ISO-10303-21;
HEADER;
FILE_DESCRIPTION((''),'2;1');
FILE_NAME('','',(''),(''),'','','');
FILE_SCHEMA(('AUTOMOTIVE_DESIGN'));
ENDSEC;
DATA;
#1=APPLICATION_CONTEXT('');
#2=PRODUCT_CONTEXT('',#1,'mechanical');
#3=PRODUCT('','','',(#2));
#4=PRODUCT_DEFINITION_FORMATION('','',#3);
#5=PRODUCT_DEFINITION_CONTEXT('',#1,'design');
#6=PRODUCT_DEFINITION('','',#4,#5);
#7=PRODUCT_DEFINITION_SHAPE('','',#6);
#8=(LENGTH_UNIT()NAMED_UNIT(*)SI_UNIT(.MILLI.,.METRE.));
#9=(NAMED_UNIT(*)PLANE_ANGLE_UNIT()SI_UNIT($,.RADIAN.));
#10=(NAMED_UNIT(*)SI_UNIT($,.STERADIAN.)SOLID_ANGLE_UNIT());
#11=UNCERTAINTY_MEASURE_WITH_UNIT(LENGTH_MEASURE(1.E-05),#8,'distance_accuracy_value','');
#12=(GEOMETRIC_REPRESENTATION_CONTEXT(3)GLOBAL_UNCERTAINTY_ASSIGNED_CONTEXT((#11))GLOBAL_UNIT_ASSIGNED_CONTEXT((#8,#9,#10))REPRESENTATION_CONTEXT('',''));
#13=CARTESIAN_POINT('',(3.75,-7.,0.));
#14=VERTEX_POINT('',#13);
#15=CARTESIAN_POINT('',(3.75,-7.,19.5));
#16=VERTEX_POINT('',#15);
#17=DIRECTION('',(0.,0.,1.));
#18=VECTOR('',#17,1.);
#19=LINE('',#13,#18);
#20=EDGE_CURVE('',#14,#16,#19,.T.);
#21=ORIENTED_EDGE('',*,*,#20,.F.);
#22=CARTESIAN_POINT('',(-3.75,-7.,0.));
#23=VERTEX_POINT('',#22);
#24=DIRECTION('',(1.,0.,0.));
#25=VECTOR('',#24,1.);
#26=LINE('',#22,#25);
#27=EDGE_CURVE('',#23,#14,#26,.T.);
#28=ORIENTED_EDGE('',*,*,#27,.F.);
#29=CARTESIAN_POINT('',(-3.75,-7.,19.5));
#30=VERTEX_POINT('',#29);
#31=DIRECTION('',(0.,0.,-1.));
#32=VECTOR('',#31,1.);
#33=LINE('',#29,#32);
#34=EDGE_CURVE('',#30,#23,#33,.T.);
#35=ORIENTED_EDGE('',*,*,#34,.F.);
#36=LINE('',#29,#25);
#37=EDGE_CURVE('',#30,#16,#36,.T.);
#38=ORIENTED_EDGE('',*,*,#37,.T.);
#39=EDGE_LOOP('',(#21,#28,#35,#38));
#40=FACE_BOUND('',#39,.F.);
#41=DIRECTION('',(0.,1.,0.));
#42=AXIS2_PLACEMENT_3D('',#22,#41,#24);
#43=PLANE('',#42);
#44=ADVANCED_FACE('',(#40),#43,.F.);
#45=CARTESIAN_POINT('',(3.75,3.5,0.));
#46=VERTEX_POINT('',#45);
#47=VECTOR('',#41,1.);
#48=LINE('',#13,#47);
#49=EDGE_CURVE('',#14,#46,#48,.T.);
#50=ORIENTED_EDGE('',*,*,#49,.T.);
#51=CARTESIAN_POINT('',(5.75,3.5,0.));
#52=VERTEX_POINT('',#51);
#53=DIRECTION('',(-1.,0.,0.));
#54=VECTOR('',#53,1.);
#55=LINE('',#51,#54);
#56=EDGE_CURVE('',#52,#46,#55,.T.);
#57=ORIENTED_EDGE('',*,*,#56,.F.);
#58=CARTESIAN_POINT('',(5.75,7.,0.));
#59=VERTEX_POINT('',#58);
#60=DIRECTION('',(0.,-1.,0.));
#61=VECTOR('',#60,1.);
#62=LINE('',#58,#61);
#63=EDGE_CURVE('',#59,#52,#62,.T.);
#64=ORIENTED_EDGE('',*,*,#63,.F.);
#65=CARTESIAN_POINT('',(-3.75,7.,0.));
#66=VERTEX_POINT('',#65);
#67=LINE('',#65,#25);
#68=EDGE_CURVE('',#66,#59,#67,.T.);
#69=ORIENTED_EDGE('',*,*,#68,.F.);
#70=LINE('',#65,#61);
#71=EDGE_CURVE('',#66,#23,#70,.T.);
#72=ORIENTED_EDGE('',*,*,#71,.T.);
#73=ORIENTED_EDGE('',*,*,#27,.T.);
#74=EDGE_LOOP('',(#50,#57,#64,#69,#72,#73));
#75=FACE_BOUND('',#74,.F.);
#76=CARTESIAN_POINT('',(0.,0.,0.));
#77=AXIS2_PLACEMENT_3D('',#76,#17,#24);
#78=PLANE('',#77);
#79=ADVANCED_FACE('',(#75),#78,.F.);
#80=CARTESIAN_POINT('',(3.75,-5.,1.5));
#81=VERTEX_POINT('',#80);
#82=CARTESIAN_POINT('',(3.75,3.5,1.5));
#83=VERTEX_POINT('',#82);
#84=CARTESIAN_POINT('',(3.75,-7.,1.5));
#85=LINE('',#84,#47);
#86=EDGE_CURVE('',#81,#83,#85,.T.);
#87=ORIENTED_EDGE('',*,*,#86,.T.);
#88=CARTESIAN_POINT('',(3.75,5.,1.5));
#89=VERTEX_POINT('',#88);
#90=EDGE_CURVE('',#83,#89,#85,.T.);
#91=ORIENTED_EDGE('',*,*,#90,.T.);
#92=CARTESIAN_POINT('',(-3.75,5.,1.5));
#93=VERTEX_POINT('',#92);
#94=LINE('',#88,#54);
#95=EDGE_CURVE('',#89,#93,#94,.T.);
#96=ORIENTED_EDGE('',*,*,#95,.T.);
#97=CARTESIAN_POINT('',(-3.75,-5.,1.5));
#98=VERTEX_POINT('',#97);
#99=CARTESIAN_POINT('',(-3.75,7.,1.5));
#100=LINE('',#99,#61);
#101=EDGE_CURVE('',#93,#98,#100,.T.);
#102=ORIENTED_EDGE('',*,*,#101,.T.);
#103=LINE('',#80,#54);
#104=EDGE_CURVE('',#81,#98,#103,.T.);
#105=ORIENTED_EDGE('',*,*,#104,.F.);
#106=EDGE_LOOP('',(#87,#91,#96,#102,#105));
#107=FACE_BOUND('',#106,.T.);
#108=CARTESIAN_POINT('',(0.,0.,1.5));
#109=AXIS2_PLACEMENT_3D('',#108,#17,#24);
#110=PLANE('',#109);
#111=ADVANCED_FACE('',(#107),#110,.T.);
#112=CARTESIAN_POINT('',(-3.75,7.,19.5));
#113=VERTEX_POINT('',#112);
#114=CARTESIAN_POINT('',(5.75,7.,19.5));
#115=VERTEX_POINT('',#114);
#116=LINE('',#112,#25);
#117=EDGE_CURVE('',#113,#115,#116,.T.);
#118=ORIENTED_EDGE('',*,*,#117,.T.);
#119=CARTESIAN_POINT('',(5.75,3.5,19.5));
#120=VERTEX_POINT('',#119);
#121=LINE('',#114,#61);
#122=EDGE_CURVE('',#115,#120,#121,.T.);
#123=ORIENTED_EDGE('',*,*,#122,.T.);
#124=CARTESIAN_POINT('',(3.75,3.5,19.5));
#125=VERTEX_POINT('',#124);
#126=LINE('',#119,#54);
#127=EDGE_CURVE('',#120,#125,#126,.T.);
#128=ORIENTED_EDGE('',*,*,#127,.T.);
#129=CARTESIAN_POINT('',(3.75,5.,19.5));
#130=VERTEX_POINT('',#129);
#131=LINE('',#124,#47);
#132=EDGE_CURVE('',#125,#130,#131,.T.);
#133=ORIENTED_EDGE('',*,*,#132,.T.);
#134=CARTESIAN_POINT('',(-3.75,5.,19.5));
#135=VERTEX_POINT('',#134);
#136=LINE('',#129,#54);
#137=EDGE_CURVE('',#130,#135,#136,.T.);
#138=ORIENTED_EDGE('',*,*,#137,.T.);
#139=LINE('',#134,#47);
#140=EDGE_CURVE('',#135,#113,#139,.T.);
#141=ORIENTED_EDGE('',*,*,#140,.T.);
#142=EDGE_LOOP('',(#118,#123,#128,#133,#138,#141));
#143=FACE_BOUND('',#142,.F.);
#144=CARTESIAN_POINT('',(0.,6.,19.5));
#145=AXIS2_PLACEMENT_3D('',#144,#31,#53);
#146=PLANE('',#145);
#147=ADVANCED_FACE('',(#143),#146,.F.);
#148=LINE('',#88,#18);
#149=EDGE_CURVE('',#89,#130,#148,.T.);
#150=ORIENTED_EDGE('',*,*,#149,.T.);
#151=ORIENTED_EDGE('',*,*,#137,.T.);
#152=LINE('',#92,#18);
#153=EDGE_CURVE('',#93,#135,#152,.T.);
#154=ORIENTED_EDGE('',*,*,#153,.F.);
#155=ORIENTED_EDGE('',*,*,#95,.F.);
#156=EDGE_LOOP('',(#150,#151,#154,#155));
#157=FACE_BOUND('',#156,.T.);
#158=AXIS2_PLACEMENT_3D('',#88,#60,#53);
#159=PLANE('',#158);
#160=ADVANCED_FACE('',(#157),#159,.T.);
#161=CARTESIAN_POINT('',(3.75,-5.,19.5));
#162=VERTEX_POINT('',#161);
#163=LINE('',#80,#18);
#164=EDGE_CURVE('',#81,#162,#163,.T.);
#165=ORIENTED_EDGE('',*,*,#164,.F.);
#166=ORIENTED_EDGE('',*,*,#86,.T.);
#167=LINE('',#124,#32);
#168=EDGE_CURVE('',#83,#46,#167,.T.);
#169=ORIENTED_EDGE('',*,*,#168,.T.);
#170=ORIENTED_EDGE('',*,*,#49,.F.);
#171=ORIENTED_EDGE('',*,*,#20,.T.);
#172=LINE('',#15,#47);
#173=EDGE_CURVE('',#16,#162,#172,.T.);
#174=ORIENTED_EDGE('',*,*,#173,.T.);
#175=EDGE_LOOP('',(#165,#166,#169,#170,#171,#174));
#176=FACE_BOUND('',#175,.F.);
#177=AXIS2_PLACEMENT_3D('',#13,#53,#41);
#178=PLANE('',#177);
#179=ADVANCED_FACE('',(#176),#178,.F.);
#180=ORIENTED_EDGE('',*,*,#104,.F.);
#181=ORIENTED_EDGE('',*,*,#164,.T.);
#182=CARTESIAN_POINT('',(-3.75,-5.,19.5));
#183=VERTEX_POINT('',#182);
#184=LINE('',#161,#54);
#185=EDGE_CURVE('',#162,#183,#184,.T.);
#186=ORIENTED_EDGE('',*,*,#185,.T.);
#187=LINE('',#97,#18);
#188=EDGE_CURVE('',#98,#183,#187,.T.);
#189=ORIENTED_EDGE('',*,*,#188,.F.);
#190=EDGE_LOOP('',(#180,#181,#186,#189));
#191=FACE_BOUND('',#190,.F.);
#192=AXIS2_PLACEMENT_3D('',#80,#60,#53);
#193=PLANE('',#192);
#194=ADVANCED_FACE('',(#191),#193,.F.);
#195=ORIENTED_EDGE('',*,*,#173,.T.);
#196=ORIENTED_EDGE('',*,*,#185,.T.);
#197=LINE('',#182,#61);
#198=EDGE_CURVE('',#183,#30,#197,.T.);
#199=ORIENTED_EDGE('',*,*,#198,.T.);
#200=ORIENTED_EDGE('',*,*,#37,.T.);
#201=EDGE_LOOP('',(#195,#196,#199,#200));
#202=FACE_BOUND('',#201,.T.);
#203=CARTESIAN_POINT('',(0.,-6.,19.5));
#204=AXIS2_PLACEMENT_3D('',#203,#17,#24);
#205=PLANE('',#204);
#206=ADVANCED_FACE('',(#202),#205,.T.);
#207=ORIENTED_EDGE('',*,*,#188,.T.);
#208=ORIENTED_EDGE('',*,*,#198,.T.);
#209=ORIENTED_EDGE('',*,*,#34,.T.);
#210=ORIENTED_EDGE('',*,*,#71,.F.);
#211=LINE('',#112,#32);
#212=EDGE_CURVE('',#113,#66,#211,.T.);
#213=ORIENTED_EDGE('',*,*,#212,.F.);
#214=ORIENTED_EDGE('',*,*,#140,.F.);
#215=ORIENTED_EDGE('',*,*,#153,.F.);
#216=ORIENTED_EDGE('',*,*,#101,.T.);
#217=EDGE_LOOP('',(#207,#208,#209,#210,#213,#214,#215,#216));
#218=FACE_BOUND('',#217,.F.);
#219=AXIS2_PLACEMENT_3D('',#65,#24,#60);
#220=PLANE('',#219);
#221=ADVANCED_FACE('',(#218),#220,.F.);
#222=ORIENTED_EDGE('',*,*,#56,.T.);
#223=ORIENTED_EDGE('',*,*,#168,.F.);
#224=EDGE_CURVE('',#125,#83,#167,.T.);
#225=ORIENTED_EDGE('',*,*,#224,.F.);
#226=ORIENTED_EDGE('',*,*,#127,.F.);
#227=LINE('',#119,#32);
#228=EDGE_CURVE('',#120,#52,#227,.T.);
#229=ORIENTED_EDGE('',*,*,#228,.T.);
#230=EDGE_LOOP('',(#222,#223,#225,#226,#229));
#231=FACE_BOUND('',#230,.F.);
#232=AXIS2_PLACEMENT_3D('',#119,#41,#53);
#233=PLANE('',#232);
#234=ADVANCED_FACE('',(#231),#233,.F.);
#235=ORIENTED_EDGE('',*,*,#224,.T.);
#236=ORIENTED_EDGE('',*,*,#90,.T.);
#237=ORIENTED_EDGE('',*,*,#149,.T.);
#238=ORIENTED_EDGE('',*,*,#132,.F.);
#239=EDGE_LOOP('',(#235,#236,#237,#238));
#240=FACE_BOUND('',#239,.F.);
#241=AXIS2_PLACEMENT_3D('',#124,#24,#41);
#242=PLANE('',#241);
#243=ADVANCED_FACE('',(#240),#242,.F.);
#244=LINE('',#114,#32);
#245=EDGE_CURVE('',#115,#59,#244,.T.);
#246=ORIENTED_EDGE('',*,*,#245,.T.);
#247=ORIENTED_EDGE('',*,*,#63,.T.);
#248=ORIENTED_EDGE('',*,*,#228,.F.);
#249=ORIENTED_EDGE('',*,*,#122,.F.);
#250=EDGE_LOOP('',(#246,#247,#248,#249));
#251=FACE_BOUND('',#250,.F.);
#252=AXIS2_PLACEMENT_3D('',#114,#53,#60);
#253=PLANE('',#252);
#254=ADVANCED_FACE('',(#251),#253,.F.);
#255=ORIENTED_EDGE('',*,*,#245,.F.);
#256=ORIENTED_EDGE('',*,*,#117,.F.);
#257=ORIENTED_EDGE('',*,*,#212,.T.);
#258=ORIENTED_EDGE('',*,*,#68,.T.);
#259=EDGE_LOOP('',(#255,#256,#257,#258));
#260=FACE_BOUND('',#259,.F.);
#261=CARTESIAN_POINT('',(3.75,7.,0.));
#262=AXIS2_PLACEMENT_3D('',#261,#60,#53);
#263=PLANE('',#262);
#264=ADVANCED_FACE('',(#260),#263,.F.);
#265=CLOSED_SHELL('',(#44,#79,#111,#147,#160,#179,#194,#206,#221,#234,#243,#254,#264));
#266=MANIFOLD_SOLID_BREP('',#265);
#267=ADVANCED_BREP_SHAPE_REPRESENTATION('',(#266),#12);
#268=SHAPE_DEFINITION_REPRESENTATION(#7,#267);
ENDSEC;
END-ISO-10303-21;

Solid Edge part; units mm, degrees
sketch "Sketch1" plane through (0, 0, 0) normal (0, 0, 1) x (1, 0, 0)
  line L0 (-3.75, -7) -> (3.75, -7)
  line L1 (3.75, -7) -> (3.75, 7)
  line L2 (3.75, 7) -> (-3.75, 7)
  line L3 (-3.75, 7) -> (-3.75, -7)
  dimension "D1" = 14
  dimension "D2" = 7.5
extrude "Protrusion1" add sketch "Sketch1" along normal blind 1.5
sketch "Sketch2" plane through (0, 0, 1.5) normal (0, 0, 1) x (1, 0, 0)
  line L0 (-3.75, 7) -> (3.75, 7)
  line L1 (3.75, 7) -> (3.75, 5)
  line L2 (3.75, 5) -> (-3.75, 5)
  line L3 (-3.75, 5) -> (-3.75, 7)
  line L4 (-3.75, -7) -> (3.75, -7)
  line L5 (3.75, -7) -> (3.75, -5)
  line L6 (3.75, -5) -> (-3.75, -5)
  line L7 (-3.75, -5) -> (-3.75, -7)
  dimension "D1" = 2
  dimension "D2" = 2
extrude "Extrusionsausprägung_2" add sketch "Sketch2" along normal blind 18
sketch "Sketch3" plane through (-1, 5.25, 19.5) normal (0, 0, 1) x (1, 0, 0)
  line L0 (4.75, 1.75) -> (6.75, 1.75)
  line L1 (6.75, 1.75) -> (6.75, -1.75)
  line L2 (6.75, -1.75) -> (4.75, -1.75)
  line L3 (4.75, -1.75) -> (4.75, 1.75)
  dimension "D1" = 2
  dimension "D2" = 3.5
extrude "Protrusion2" add sketch "Sketch3" against normal up to vertex (19.5 mm away)
properties material "Nylon, allgemein"
